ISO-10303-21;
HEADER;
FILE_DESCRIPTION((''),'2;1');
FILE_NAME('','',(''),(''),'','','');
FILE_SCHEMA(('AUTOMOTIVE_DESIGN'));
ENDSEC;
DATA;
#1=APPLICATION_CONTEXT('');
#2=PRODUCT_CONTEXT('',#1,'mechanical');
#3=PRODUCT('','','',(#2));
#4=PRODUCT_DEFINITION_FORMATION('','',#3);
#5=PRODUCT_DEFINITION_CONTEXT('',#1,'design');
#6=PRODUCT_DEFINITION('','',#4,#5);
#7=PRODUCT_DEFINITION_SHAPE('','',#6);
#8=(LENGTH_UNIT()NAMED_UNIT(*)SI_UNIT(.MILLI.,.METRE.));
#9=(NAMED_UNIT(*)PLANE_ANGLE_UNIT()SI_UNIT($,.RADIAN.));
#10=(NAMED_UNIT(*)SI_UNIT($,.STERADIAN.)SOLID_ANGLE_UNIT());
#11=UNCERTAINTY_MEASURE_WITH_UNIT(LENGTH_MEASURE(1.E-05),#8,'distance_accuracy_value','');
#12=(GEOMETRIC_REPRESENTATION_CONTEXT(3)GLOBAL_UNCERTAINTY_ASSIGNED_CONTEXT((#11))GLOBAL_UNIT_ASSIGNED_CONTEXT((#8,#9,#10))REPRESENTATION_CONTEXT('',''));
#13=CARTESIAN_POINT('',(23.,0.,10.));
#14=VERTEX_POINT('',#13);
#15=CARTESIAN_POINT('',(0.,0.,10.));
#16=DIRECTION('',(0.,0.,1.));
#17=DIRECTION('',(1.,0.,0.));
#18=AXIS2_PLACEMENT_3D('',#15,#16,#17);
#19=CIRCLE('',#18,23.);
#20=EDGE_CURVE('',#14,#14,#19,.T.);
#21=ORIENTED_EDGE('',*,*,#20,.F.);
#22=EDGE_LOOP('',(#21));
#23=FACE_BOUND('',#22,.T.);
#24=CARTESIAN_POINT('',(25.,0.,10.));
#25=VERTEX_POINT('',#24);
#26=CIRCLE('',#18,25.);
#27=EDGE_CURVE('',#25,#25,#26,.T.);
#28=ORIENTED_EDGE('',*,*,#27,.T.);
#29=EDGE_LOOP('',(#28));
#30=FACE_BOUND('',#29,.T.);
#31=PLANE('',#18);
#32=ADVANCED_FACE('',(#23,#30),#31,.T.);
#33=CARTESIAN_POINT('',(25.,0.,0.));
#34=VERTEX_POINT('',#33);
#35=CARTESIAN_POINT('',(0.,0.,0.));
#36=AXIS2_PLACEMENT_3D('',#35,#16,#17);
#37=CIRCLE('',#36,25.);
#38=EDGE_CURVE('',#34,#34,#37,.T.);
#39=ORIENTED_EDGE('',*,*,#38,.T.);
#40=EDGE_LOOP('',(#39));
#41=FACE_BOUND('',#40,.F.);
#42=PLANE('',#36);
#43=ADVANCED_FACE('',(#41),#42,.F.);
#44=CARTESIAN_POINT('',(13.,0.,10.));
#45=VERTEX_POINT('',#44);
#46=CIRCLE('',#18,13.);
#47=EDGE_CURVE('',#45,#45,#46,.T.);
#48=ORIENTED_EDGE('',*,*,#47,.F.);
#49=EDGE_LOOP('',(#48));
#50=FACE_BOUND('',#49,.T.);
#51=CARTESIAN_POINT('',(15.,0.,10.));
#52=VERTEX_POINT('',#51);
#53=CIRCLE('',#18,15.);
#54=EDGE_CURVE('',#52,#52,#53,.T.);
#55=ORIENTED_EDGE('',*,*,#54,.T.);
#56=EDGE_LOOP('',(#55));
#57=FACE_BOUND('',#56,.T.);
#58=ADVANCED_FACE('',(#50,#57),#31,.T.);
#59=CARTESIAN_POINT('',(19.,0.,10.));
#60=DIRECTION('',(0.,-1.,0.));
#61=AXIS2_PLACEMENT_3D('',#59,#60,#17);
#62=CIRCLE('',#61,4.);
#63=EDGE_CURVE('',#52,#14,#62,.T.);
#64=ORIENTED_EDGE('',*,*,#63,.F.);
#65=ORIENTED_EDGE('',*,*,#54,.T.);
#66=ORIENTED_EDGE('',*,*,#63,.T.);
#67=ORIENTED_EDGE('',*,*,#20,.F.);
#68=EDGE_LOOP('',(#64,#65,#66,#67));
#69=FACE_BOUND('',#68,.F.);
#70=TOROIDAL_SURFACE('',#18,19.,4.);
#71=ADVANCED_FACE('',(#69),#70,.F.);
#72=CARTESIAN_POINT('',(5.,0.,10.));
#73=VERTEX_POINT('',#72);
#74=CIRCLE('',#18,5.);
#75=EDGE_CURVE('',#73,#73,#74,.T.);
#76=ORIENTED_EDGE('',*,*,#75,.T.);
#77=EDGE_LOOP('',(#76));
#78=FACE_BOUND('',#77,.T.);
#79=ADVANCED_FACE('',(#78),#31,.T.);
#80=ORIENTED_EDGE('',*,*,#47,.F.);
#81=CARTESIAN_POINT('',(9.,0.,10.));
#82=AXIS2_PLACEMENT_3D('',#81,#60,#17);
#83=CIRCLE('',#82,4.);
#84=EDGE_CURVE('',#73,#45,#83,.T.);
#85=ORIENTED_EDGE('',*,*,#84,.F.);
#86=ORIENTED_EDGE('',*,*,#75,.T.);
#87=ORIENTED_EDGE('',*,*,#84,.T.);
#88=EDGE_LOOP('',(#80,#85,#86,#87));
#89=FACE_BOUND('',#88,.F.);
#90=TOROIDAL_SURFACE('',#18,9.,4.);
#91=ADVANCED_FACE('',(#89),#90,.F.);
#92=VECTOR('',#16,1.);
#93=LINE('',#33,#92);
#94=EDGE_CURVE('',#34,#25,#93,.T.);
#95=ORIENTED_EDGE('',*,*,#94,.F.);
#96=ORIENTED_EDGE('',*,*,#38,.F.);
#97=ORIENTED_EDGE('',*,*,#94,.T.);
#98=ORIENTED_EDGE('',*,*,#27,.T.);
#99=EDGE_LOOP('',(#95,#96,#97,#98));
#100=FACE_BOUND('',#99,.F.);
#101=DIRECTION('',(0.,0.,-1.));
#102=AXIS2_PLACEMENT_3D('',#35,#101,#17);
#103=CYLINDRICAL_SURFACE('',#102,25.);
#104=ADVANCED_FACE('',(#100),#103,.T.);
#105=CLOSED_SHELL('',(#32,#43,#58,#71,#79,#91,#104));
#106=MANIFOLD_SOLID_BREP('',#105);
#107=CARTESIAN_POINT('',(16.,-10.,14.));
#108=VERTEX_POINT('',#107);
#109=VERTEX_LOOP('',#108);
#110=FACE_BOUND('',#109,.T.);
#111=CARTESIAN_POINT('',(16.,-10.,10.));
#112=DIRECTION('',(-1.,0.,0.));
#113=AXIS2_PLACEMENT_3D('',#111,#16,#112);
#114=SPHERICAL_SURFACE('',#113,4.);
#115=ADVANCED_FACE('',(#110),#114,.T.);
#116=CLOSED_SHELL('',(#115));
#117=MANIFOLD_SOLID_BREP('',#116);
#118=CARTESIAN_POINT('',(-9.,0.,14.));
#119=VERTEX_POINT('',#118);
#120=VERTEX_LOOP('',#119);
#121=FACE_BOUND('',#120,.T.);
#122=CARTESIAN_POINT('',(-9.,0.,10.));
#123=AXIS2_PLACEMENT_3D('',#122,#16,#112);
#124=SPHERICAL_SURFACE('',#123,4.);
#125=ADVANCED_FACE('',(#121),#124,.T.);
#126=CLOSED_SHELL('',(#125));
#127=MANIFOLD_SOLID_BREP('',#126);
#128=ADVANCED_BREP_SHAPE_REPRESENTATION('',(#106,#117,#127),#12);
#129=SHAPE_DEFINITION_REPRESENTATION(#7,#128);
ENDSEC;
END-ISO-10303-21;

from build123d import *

# Parameters (mm, degrees)
TORUS001_R     = 4
TORUS_R        = 4
CYLINDER_R     = 25
CYLINDER_DEPTH = 10


with BuildPart() as torus001:
    # Torus001 → Torus001 (revolve)
    with BuildSketch(Plane(origin=(0, 0, 10), x_dir=(1, 0, 0), z_dir=(0, -1, 0))):
        with Locations((9, 0)):
            Circle(TORUS001_R)
    revolve(axis=Axis((0, 0, 10), (0, 0, 1)))


with BuildPart() as torus:
    # Torus → Torus (revolve)
    with BuildSketch(Plane(origin=(0, 0, 10), x_dir=(1, 0, 0), z_dir=(0, -1, 0))):
        with Locations((19, 0)):
            Circle(TORUS_R)
    revolve(axis=Axis((0, 0, 10), (0, 0, 1)))


with BuildPart() as cut001:
    # Cylinder → Cylinder (new body)
    with BuildSketch(Plane.XY):
        Circle(CYLINDER_R)
    extrude(amount=CYLINDER_DEPTH)

    # Cut: cut Torus
    add(torus.part, mode=Mode.SUBTRACT)

    # Cut001: cut Torus001
    add(torus001.part, mode=Mode.SUBTRACT)


with BuildPart() as esfera:
    # Sphere → Sphere (revolve)
    with BuildSketch(Plane(origin=(-9, 0, 10), x_dir=(-1, 0, 0), z_dir=(0, 1, 0))):
        with BuildLine():
            ThreePointArc((0, -4), (4, 0), (0, 4))
            Line((0, 4), (0, -4))
        make_face()
    revolve(axis=Axis((-9, 0, 10), (0, 0, 1)))


with BuildPart() as esfera001:
    # Sphere001 → Sphere001 (revolve)
    with BuildSketch(Plane(origin=(16, -10, 10), x_dir=(-1, 0, 0), z_dir=(0, 1, 0))):
        with BuildLine():
            ThreePointArc((0, -4), (4, 0), (0, 4))
            Line((0, 4), (0, -4))
        make_face()
    revolve(axis=Axis((16, -10, 10), (0, 0, 1)))


solid = Compound([cut001.part, esfera.part, esfera001.part])
